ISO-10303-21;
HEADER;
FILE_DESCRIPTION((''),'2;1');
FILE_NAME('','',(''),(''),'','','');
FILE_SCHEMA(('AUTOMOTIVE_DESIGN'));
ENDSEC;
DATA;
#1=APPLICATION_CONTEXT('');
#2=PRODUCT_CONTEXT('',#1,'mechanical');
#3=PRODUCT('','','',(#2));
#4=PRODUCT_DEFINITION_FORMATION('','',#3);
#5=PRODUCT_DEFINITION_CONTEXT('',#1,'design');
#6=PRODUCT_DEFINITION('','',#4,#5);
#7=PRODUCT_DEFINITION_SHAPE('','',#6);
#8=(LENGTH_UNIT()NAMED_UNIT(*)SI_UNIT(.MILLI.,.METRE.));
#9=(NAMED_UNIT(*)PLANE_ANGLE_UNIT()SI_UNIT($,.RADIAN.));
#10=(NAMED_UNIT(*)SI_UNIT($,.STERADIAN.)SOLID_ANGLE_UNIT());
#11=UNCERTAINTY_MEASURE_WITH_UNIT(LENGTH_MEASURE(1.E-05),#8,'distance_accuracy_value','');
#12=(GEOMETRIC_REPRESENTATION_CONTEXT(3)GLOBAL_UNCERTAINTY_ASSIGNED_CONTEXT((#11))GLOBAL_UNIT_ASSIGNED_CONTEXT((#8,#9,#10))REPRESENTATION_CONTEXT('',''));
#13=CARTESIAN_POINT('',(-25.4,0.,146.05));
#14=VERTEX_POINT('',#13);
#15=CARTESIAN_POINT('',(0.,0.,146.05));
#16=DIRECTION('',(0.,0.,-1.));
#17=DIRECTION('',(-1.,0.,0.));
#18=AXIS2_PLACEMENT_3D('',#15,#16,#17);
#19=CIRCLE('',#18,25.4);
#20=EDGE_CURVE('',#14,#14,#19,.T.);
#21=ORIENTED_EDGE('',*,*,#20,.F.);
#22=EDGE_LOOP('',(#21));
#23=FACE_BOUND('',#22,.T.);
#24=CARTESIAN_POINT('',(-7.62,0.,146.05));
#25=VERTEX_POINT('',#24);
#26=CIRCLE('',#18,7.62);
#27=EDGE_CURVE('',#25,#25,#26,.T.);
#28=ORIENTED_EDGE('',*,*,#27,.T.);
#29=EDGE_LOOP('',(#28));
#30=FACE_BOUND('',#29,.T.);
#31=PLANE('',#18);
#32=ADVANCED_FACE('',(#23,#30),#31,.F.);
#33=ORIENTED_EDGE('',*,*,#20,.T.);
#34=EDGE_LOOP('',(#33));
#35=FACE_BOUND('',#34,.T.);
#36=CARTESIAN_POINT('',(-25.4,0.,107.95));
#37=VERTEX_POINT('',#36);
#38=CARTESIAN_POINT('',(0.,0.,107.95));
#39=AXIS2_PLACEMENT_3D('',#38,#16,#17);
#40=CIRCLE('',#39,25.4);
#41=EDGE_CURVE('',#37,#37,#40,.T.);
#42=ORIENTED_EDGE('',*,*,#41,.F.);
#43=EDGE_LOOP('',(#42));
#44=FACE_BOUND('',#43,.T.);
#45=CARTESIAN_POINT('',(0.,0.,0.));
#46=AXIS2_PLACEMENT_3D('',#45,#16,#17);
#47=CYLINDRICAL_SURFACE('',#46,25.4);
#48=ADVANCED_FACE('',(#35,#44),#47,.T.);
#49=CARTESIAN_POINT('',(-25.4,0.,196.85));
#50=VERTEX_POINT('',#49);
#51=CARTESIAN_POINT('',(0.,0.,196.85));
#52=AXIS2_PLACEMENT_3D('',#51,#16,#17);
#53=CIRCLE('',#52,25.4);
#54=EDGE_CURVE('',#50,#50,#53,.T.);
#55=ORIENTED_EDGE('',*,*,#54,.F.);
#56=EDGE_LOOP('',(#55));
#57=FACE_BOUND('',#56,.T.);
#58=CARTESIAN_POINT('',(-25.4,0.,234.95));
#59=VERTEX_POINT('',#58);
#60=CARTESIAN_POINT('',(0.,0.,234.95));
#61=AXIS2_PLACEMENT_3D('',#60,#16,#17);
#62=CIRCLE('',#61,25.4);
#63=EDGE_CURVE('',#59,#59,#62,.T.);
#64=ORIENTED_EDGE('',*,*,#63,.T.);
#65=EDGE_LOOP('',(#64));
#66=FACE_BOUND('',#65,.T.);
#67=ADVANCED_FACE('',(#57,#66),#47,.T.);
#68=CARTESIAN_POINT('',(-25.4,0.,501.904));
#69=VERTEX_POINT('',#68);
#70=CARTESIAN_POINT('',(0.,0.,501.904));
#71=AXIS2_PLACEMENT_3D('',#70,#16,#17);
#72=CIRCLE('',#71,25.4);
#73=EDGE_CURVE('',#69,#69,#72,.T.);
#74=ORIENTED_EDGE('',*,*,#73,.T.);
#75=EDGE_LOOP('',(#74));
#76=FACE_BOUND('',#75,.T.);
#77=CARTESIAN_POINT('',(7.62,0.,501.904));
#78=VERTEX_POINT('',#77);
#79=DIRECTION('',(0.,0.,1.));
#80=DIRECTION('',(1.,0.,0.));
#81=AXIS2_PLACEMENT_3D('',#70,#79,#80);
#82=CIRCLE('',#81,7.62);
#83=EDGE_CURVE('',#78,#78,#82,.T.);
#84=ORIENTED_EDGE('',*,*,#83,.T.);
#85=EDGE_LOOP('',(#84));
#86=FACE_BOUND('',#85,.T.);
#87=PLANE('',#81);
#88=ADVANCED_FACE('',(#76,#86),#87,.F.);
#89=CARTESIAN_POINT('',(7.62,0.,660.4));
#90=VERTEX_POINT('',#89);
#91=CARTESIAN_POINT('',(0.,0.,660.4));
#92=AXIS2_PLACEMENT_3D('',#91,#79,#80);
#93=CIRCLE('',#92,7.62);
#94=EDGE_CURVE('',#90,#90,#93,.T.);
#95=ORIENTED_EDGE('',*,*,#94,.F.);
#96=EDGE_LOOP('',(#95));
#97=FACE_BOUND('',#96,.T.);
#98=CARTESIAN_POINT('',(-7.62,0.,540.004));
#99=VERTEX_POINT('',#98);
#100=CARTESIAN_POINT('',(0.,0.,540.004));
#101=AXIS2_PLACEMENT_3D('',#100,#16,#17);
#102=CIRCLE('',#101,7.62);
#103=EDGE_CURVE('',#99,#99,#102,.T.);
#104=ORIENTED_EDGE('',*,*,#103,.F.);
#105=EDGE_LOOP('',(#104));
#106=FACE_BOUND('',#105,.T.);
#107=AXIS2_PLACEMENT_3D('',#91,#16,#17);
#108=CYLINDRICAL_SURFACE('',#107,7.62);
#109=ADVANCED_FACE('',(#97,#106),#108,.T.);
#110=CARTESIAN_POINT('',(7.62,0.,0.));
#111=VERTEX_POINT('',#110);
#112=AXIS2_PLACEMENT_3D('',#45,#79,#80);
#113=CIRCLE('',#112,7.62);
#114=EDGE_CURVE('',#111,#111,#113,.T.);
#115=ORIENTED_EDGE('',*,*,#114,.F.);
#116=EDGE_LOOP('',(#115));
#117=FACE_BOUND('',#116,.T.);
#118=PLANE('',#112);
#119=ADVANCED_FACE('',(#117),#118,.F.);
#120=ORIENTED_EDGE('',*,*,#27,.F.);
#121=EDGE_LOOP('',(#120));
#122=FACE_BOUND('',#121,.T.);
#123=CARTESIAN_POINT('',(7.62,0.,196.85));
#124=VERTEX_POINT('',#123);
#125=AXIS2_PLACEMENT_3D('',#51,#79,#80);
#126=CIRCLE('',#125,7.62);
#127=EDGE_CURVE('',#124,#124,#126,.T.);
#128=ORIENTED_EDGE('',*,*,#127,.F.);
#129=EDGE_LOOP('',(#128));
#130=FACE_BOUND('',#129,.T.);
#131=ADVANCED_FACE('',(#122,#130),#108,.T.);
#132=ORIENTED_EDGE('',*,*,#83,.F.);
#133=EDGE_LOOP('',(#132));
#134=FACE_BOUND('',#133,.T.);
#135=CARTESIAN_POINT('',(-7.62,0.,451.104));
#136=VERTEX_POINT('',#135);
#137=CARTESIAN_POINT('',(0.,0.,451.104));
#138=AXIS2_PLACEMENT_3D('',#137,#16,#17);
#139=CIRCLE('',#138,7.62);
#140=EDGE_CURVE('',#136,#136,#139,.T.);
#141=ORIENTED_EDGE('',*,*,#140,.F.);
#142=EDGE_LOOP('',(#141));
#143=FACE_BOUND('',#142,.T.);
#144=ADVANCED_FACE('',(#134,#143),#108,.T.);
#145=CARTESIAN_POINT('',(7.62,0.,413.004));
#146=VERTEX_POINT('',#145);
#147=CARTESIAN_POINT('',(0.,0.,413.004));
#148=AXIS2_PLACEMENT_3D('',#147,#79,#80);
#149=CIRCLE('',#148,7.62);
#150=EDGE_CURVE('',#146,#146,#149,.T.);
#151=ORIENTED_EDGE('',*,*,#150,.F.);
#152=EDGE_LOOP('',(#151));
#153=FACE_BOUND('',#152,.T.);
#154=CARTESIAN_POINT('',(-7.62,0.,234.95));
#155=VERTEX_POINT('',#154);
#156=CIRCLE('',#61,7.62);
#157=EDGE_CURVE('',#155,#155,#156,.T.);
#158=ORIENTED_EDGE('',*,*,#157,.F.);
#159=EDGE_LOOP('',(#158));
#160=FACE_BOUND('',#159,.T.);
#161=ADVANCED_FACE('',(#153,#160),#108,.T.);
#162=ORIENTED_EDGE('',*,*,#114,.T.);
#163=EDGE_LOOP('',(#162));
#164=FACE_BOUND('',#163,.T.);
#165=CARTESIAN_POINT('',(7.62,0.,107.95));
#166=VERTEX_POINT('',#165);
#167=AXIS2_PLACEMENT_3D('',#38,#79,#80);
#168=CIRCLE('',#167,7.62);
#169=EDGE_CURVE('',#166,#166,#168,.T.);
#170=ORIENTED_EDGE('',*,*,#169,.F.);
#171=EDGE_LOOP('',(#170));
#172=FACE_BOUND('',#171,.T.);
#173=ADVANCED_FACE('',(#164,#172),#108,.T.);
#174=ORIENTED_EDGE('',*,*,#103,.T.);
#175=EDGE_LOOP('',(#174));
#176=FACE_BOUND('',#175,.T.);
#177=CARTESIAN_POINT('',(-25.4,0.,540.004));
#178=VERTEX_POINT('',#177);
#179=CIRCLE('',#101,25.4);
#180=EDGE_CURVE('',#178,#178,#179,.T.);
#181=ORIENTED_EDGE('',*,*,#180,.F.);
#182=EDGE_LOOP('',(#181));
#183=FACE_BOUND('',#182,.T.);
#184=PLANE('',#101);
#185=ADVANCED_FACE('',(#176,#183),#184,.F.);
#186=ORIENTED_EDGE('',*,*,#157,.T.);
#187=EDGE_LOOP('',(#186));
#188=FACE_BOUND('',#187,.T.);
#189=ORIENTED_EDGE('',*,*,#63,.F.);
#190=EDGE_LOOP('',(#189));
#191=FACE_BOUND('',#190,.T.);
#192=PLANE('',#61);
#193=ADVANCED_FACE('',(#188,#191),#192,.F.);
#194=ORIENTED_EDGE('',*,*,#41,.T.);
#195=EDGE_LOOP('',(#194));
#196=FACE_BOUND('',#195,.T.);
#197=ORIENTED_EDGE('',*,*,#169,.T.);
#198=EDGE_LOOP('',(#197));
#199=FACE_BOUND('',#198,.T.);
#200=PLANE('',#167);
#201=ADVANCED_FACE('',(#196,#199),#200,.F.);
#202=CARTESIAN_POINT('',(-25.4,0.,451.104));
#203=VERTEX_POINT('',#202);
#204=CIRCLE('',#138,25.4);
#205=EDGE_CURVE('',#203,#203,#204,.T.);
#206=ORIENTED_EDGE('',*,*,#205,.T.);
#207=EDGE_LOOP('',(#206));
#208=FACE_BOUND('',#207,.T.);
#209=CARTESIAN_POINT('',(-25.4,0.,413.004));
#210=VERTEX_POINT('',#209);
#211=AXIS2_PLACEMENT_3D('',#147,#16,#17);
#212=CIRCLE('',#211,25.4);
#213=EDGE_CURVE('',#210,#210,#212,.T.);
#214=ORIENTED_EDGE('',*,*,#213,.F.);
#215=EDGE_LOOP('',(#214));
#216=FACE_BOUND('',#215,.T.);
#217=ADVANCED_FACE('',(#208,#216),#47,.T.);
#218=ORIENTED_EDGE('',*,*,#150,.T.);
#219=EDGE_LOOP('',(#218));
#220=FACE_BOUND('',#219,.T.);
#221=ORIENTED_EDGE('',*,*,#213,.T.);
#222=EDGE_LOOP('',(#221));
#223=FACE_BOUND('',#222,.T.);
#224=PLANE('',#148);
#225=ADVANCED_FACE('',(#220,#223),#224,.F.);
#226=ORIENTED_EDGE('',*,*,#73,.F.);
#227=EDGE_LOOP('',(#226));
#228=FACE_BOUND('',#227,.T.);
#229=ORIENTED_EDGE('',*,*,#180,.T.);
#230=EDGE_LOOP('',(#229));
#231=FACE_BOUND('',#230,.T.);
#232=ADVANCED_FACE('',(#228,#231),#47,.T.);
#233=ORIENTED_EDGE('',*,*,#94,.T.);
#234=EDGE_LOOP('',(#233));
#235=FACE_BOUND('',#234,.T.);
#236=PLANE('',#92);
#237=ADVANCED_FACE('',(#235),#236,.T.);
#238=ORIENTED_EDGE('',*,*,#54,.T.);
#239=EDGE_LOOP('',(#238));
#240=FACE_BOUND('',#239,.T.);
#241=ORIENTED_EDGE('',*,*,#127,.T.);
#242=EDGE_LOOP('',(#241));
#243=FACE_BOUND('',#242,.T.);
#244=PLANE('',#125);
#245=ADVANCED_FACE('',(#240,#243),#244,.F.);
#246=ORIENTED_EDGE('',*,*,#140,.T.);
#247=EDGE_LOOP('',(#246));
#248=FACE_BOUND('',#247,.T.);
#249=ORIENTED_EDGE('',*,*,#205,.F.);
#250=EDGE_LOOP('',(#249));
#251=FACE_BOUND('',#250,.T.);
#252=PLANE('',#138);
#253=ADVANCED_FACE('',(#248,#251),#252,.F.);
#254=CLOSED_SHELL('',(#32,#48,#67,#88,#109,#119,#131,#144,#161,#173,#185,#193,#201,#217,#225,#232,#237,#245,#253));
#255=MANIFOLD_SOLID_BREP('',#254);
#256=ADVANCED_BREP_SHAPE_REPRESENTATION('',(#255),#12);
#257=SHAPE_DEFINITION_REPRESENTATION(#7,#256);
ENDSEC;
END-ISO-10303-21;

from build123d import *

# Parameters (mm, degrees)
SKETCH1_R           = 7.62
BOSS_EXTRUDE1_DEPTH = 660.4
SKETCH2_W           = 25.4
SKETCH2_H           = 38.1


with BuildPart() as part:
    # Sketch1 → Boss-Extrude1 (new body)
    with BuildSketch(Plane.XY):
        Circle(SKETCH1_R)
    extrude(amount=BOSS_EXTRUDE1_DEPTH)

    # Sketch2 → Revolve1 (revolve)
    with BuildSketch(Plane(origin=(0, 0, 0), x_dir=(1, 0, 0), z_dir=(0, 1, 0)), mode=Mode.PRIVATE) as revolve1_sk:
        with Locations((12.7, -127)):
            Rectangle(SKETCH2_W, SKETCH2_H)
        with Locations((12.7, -215.9)):
            Rectangle(SKETCH2_W, SKETCH2_H)
        with Locations((12.7, -432.054)):
            Rectangle(SKETCH2_W, SKETCH2_H)
        with Locations((12.7, -520.954)):
            Rectangle(SKETCH2_W, SKETCH2_H)
    revolve(revolve1_sk.sketch.rotate(Axis((0, 0, 0), (0, 0, 1)), 180), axis=Axis((0, 0, 0), (0, 0, 1)))


solid = part.part
